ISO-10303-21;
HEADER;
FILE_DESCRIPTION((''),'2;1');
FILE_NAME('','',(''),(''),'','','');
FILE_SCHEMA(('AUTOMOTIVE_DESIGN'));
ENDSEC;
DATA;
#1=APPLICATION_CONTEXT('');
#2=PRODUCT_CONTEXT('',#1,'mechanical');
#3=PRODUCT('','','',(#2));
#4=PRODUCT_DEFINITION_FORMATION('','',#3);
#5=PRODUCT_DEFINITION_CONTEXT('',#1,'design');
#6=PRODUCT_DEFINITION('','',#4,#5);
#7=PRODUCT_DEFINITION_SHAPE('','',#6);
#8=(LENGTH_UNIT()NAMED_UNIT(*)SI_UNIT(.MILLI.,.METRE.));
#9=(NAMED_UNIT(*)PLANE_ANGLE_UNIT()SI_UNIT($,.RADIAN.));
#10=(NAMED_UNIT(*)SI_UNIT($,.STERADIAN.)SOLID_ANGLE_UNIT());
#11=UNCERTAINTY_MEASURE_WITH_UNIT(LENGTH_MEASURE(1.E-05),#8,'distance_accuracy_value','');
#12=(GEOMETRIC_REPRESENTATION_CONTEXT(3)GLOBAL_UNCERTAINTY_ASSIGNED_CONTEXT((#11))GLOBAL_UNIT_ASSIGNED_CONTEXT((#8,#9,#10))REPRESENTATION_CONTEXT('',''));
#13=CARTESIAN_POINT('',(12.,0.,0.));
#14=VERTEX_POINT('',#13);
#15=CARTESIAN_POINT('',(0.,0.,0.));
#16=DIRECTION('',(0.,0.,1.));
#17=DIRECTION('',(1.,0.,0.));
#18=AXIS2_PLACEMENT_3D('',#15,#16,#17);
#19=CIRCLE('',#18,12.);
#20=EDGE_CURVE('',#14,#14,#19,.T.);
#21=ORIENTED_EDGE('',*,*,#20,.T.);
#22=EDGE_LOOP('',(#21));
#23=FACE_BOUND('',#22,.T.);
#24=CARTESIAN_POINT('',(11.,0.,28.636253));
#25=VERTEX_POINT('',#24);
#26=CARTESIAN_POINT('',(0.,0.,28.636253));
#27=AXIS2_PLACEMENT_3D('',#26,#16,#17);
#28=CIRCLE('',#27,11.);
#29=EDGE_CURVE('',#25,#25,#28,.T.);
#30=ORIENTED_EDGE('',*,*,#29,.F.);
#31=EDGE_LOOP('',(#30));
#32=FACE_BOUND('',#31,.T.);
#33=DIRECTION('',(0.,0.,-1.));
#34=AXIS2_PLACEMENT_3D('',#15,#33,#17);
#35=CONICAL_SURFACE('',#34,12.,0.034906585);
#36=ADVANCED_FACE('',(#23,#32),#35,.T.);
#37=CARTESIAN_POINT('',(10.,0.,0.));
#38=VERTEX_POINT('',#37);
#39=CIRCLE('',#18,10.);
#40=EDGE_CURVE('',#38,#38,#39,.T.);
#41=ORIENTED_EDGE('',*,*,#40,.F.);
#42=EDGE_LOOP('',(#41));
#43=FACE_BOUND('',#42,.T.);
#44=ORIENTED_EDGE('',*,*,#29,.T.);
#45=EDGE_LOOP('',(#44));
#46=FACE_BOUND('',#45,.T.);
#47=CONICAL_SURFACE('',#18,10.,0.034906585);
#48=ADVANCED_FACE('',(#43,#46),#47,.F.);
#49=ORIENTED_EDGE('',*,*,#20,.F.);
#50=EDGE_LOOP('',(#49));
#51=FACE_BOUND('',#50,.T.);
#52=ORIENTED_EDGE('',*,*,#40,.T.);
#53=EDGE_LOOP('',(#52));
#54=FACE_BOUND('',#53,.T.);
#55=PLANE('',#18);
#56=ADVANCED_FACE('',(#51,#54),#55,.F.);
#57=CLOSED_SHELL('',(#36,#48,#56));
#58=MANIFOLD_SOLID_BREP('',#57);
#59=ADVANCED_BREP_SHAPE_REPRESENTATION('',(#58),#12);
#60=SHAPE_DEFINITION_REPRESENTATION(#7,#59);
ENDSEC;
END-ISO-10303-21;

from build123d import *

# Parameters (mm, degrees)
SKETCH2_R           = 12
SKETCH2_R_2         = 10
EXTRUDE_THIN1_DEPTH = 30
EXTRUDE_THIN1_TAPER = 2


with BuildPart() as part:
    # Sketch2 → Extrude-Thin1 (new body)
    with BuildSketch(Plane.XY):
        Circle(SKETCH2_R)
        Circle(SKETCH2_R_2, mode=Mode.SUBTRACT)
    extrude(amount=EXTRUDE_THIN1_DEPTH, taper=EXTRUDE_THIN1_TAPER)


solid = part.part
